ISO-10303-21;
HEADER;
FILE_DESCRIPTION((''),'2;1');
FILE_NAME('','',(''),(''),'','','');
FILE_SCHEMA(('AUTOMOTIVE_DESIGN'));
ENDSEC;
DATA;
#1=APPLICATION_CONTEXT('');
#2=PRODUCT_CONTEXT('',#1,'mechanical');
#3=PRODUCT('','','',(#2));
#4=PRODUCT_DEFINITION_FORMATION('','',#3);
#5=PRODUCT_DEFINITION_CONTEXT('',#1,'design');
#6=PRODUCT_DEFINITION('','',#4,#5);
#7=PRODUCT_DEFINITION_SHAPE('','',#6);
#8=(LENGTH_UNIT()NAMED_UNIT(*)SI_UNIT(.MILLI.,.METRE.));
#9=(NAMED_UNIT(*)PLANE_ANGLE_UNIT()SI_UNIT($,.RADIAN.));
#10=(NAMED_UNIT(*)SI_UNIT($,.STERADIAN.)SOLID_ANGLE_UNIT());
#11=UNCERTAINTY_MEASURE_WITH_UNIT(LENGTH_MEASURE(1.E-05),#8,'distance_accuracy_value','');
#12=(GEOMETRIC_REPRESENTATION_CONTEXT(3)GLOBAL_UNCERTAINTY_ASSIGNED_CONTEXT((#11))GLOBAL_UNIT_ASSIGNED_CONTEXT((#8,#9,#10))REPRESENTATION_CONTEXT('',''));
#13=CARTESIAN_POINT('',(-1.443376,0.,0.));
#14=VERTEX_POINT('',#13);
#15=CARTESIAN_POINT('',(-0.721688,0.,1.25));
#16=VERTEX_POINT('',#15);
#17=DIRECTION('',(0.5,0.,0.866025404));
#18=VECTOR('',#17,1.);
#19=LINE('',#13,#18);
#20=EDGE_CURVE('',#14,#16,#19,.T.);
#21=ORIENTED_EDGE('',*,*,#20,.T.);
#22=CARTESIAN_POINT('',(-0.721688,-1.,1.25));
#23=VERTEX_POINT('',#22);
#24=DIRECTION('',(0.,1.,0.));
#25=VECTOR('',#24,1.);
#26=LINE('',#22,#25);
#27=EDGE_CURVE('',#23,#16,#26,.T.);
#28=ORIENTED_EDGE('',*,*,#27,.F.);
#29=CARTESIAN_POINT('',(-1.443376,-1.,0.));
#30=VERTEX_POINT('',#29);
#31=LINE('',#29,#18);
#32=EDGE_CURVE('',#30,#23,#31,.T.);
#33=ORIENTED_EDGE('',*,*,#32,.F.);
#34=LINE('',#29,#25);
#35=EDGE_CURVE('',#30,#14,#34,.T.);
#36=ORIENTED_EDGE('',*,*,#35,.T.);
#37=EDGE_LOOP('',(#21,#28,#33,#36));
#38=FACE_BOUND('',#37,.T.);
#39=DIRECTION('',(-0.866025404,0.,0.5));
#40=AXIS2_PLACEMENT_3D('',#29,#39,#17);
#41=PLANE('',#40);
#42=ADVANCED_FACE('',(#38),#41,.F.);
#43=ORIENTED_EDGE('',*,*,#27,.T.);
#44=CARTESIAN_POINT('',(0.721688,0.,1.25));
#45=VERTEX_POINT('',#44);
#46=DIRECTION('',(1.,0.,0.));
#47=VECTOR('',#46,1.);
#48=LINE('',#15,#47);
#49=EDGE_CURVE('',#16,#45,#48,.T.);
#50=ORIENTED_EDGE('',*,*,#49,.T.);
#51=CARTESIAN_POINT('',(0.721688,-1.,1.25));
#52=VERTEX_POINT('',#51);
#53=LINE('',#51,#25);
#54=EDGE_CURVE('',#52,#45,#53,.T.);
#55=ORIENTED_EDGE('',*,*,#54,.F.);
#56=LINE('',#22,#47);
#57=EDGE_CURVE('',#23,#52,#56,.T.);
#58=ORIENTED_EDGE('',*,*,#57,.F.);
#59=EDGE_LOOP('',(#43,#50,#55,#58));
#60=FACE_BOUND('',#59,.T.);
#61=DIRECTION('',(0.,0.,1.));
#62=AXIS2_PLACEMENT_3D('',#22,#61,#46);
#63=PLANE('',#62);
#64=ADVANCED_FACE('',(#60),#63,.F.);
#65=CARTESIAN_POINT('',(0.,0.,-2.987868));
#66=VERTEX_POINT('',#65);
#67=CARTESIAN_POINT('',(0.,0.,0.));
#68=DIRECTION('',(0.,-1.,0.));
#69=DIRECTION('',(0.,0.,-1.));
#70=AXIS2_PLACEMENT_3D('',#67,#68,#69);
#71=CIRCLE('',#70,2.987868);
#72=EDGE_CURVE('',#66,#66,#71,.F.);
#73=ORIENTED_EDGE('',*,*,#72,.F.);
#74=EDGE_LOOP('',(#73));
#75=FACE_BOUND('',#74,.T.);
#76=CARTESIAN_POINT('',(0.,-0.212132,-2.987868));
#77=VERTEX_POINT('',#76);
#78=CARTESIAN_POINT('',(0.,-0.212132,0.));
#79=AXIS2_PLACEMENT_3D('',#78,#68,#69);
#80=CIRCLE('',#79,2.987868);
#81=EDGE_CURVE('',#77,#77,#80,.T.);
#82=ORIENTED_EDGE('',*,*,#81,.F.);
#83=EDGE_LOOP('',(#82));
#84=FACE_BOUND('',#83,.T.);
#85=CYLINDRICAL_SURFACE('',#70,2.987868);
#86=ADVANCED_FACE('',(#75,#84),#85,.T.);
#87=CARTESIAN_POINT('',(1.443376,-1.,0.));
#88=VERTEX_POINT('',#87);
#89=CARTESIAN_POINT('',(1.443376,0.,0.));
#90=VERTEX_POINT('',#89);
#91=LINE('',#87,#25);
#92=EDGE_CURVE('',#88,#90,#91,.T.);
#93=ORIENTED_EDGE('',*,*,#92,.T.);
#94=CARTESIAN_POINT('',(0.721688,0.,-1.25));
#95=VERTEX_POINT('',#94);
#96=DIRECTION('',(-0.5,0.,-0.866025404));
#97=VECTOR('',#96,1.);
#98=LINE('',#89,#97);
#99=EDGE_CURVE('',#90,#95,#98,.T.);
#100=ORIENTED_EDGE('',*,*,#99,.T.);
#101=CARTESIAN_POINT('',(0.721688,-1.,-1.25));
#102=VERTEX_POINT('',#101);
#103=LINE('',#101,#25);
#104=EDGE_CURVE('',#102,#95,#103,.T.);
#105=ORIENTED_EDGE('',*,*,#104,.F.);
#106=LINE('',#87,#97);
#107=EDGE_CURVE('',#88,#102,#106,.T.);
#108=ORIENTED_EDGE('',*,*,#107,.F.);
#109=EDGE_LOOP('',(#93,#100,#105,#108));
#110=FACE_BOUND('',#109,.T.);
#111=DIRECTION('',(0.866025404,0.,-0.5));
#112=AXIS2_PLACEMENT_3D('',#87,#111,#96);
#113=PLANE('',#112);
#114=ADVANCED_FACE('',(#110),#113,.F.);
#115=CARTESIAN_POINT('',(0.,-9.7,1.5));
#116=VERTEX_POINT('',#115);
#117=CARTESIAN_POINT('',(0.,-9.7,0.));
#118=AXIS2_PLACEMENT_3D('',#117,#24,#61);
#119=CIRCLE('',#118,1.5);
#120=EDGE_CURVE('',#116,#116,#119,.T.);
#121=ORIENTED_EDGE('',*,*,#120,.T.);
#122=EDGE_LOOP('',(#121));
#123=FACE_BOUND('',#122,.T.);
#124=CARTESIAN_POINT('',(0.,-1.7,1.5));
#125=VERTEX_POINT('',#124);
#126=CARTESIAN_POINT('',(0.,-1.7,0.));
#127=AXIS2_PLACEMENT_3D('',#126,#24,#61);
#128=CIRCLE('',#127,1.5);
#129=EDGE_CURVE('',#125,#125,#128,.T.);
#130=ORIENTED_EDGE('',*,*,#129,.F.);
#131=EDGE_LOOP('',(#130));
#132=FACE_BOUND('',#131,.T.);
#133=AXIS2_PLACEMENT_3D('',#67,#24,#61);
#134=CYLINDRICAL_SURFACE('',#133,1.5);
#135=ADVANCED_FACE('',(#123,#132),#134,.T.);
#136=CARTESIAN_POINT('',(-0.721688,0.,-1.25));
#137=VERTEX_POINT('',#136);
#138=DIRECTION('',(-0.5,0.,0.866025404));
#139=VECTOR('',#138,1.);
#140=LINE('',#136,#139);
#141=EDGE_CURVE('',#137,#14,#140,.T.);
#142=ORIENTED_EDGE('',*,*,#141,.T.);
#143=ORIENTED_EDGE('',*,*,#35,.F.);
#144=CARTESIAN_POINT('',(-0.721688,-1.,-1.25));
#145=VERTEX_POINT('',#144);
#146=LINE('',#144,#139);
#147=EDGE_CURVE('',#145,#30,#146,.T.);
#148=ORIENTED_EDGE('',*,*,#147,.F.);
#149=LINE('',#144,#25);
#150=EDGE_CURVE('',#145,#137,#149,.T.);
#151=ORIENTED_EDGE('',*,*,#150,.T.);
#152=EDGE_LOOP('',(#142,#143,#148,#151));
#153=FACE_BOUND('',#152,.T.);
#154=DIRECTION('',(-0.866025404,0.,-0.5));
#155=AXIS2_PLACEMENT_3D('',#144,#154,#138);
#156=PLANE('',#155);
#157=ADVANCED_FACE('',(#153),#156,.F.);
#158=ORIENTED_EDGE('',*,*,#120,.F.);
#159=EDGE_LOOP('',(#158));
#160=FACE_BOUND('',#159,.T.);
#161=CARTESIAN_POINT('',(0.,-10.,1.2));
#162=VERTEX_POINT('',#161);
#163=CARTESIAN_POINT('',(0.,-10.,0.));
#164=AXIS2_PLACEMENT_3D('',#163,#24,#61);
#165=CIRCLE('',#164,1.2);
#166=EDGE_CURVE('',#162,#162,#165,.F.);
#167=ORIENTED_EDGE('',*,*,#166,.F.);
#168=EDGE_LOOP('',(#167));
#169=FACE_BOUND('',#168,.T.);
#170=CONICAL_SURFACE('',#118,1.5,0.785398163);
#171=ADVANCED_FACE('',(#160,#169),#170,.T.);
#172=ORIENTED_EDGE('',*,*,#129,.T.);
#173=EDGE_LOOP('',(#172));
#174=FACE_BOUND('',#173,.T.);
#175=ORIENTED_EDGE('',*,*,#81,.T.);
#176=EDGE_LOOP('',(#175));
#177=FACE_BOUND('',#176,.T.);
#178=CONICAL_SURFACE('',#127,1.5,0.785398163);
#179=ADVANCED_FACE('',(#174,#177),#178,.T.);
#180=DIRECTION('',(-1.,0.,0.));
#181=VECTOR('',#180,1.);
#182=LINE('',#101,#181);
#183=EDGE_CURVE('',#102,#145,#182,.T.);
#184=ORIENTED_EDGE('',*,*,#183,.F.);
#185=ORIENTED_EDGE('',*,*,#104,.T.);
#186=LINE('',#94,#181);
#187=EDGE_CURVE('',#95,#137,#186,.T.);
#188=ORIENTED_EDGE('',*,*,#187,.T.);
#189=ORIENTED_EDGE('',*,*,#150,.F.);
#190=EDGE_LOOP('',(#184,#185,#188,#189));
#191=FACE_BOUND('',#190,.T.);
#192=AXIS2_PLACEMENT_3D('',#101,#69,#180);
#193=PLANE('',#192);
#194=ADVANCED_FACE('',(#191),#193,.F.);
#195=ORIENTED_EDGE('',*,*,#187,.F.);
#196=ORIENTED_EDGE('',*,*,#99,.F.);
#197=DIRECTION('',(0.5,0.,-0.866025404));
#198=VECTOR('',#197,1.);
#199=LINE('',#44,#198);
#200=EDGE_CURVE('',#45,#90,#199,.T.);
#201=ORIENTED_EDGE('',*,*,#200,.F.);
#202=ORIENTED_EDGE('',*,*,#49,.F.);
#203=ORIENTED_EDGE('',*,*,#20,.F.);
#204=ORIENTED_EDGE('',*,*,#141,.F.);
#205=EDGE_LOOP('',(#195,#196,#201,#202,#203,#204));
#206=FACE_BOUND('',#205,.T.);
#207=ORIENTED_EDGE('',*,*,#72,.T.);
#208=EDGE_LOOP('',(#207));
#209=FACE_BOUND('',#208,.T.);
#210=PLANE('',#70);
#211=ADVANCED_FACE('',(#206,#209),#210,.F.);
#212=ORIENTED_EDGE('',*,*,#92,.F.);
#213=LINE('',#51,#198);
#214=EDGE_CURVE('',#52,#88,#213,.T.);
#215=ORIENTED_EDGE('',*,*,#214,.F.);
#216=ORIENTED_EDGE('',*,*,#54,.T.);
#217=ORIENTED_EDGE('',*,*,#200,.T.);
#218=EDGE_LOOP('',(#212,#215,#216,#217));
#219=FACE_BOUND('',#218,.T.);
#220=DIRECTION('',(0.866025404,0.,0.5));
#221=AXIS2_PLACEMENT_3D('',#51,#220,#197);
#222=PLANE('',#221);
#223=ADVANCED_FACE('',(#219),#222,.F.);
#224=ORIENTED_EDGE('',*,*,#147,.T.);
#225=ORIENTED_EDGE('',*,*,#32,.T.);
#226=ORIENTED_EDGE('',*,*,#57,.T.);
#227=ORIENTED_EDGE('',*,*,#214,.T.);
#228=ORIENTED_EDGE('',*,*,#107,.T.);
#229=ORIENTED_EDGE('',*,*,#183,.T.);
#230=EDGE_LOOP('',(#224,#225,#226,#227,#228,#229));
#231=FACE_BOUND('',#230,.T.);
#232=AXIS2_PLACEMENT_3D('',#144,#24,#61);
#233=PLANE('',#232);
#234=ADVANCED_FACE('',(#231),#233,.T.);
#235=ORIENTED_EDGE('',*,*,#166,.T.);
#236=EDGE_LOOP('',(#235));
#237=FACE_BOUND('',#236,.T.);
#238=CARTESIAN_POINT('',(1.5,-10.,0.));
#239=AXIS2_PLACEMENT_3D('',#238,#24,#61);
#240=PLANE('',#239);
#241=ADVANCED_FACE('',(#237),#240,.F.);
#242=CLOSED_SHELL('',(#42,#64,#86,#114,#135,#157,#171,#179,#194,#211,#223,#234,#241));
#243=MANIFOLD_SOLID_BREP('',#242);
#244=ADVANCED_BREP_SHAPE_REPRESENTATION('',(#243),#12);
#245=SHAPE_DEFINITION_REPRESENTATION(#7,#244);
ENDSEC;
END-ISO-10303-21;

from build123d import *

# Parameters (mm, degrees)
CHAFL_N2_SIZE         = 0.3
CHAFL_N2_SIZE2        = 0.212132034
CHAFL_N3_SIZE         = 0.3
CORTAR_EXTRUIR2_DEPTH = 1


with BuildPart() as part:
    # Croquis1 → Revolución1 (revolve)
    with BuildSketch(Plane.XY, mode=Mode.PRIVATE) as revoluci_n1_sk:
        Polygon((0, 0), (3.2, 0), (1.5, -1.7), (1.5, -10), (0, -10), align=None)
    revolve(revoluci_n1_sk.sketch.rotate(Axis((0, 0, 0), (0, -1, 0)), 90), axis=Axis((0, 0, 0), (0, -1, 0)))

    # Chaflán2
    chafl_n2_edges = [part.edges().sort_by_distance(p)[0] for p in [
        (0, 0, -3.2),
    ]]
    chafl_n2_side = [part.faces().sort_by_distance(p)[0] for p in [
        (0, -0.85, -2.35),
    ]]
    chamfer(chafl_n2_edges, length=CHAFL_N2_SIZE, length2=CHAFL_N2_SIZE2, reference=chafl_n2_side[0])

    # Chaflán3
    chafl_n3_edges = [part.edges().sort_by_distance(p)[0] for p in [
        (0, -10, -1.5),
    ]]
    chamfer(chafl_n3_edges, length=CHAFL_N3_SIZE)

    # Croquis3 → Cortar-Extruir2 (cut)
    with BuildSketch(Plane(origin=(0, 0, 0), x_dir=(1, 0, 0), z_dir=(0, 1, 0))):
        Polygon((-0.721687836, 1.25), (-1.443375673, 0), (-0.721687836, -1.25), (0.721687836, -1.25), (1.443375673, 0), (0.721687836, 1.25), align=None)
    extrude(amount=-CORTAR_EXTRUIR2_DEPTH, mode=Mode.SUBTRACT)


solid = part.part
